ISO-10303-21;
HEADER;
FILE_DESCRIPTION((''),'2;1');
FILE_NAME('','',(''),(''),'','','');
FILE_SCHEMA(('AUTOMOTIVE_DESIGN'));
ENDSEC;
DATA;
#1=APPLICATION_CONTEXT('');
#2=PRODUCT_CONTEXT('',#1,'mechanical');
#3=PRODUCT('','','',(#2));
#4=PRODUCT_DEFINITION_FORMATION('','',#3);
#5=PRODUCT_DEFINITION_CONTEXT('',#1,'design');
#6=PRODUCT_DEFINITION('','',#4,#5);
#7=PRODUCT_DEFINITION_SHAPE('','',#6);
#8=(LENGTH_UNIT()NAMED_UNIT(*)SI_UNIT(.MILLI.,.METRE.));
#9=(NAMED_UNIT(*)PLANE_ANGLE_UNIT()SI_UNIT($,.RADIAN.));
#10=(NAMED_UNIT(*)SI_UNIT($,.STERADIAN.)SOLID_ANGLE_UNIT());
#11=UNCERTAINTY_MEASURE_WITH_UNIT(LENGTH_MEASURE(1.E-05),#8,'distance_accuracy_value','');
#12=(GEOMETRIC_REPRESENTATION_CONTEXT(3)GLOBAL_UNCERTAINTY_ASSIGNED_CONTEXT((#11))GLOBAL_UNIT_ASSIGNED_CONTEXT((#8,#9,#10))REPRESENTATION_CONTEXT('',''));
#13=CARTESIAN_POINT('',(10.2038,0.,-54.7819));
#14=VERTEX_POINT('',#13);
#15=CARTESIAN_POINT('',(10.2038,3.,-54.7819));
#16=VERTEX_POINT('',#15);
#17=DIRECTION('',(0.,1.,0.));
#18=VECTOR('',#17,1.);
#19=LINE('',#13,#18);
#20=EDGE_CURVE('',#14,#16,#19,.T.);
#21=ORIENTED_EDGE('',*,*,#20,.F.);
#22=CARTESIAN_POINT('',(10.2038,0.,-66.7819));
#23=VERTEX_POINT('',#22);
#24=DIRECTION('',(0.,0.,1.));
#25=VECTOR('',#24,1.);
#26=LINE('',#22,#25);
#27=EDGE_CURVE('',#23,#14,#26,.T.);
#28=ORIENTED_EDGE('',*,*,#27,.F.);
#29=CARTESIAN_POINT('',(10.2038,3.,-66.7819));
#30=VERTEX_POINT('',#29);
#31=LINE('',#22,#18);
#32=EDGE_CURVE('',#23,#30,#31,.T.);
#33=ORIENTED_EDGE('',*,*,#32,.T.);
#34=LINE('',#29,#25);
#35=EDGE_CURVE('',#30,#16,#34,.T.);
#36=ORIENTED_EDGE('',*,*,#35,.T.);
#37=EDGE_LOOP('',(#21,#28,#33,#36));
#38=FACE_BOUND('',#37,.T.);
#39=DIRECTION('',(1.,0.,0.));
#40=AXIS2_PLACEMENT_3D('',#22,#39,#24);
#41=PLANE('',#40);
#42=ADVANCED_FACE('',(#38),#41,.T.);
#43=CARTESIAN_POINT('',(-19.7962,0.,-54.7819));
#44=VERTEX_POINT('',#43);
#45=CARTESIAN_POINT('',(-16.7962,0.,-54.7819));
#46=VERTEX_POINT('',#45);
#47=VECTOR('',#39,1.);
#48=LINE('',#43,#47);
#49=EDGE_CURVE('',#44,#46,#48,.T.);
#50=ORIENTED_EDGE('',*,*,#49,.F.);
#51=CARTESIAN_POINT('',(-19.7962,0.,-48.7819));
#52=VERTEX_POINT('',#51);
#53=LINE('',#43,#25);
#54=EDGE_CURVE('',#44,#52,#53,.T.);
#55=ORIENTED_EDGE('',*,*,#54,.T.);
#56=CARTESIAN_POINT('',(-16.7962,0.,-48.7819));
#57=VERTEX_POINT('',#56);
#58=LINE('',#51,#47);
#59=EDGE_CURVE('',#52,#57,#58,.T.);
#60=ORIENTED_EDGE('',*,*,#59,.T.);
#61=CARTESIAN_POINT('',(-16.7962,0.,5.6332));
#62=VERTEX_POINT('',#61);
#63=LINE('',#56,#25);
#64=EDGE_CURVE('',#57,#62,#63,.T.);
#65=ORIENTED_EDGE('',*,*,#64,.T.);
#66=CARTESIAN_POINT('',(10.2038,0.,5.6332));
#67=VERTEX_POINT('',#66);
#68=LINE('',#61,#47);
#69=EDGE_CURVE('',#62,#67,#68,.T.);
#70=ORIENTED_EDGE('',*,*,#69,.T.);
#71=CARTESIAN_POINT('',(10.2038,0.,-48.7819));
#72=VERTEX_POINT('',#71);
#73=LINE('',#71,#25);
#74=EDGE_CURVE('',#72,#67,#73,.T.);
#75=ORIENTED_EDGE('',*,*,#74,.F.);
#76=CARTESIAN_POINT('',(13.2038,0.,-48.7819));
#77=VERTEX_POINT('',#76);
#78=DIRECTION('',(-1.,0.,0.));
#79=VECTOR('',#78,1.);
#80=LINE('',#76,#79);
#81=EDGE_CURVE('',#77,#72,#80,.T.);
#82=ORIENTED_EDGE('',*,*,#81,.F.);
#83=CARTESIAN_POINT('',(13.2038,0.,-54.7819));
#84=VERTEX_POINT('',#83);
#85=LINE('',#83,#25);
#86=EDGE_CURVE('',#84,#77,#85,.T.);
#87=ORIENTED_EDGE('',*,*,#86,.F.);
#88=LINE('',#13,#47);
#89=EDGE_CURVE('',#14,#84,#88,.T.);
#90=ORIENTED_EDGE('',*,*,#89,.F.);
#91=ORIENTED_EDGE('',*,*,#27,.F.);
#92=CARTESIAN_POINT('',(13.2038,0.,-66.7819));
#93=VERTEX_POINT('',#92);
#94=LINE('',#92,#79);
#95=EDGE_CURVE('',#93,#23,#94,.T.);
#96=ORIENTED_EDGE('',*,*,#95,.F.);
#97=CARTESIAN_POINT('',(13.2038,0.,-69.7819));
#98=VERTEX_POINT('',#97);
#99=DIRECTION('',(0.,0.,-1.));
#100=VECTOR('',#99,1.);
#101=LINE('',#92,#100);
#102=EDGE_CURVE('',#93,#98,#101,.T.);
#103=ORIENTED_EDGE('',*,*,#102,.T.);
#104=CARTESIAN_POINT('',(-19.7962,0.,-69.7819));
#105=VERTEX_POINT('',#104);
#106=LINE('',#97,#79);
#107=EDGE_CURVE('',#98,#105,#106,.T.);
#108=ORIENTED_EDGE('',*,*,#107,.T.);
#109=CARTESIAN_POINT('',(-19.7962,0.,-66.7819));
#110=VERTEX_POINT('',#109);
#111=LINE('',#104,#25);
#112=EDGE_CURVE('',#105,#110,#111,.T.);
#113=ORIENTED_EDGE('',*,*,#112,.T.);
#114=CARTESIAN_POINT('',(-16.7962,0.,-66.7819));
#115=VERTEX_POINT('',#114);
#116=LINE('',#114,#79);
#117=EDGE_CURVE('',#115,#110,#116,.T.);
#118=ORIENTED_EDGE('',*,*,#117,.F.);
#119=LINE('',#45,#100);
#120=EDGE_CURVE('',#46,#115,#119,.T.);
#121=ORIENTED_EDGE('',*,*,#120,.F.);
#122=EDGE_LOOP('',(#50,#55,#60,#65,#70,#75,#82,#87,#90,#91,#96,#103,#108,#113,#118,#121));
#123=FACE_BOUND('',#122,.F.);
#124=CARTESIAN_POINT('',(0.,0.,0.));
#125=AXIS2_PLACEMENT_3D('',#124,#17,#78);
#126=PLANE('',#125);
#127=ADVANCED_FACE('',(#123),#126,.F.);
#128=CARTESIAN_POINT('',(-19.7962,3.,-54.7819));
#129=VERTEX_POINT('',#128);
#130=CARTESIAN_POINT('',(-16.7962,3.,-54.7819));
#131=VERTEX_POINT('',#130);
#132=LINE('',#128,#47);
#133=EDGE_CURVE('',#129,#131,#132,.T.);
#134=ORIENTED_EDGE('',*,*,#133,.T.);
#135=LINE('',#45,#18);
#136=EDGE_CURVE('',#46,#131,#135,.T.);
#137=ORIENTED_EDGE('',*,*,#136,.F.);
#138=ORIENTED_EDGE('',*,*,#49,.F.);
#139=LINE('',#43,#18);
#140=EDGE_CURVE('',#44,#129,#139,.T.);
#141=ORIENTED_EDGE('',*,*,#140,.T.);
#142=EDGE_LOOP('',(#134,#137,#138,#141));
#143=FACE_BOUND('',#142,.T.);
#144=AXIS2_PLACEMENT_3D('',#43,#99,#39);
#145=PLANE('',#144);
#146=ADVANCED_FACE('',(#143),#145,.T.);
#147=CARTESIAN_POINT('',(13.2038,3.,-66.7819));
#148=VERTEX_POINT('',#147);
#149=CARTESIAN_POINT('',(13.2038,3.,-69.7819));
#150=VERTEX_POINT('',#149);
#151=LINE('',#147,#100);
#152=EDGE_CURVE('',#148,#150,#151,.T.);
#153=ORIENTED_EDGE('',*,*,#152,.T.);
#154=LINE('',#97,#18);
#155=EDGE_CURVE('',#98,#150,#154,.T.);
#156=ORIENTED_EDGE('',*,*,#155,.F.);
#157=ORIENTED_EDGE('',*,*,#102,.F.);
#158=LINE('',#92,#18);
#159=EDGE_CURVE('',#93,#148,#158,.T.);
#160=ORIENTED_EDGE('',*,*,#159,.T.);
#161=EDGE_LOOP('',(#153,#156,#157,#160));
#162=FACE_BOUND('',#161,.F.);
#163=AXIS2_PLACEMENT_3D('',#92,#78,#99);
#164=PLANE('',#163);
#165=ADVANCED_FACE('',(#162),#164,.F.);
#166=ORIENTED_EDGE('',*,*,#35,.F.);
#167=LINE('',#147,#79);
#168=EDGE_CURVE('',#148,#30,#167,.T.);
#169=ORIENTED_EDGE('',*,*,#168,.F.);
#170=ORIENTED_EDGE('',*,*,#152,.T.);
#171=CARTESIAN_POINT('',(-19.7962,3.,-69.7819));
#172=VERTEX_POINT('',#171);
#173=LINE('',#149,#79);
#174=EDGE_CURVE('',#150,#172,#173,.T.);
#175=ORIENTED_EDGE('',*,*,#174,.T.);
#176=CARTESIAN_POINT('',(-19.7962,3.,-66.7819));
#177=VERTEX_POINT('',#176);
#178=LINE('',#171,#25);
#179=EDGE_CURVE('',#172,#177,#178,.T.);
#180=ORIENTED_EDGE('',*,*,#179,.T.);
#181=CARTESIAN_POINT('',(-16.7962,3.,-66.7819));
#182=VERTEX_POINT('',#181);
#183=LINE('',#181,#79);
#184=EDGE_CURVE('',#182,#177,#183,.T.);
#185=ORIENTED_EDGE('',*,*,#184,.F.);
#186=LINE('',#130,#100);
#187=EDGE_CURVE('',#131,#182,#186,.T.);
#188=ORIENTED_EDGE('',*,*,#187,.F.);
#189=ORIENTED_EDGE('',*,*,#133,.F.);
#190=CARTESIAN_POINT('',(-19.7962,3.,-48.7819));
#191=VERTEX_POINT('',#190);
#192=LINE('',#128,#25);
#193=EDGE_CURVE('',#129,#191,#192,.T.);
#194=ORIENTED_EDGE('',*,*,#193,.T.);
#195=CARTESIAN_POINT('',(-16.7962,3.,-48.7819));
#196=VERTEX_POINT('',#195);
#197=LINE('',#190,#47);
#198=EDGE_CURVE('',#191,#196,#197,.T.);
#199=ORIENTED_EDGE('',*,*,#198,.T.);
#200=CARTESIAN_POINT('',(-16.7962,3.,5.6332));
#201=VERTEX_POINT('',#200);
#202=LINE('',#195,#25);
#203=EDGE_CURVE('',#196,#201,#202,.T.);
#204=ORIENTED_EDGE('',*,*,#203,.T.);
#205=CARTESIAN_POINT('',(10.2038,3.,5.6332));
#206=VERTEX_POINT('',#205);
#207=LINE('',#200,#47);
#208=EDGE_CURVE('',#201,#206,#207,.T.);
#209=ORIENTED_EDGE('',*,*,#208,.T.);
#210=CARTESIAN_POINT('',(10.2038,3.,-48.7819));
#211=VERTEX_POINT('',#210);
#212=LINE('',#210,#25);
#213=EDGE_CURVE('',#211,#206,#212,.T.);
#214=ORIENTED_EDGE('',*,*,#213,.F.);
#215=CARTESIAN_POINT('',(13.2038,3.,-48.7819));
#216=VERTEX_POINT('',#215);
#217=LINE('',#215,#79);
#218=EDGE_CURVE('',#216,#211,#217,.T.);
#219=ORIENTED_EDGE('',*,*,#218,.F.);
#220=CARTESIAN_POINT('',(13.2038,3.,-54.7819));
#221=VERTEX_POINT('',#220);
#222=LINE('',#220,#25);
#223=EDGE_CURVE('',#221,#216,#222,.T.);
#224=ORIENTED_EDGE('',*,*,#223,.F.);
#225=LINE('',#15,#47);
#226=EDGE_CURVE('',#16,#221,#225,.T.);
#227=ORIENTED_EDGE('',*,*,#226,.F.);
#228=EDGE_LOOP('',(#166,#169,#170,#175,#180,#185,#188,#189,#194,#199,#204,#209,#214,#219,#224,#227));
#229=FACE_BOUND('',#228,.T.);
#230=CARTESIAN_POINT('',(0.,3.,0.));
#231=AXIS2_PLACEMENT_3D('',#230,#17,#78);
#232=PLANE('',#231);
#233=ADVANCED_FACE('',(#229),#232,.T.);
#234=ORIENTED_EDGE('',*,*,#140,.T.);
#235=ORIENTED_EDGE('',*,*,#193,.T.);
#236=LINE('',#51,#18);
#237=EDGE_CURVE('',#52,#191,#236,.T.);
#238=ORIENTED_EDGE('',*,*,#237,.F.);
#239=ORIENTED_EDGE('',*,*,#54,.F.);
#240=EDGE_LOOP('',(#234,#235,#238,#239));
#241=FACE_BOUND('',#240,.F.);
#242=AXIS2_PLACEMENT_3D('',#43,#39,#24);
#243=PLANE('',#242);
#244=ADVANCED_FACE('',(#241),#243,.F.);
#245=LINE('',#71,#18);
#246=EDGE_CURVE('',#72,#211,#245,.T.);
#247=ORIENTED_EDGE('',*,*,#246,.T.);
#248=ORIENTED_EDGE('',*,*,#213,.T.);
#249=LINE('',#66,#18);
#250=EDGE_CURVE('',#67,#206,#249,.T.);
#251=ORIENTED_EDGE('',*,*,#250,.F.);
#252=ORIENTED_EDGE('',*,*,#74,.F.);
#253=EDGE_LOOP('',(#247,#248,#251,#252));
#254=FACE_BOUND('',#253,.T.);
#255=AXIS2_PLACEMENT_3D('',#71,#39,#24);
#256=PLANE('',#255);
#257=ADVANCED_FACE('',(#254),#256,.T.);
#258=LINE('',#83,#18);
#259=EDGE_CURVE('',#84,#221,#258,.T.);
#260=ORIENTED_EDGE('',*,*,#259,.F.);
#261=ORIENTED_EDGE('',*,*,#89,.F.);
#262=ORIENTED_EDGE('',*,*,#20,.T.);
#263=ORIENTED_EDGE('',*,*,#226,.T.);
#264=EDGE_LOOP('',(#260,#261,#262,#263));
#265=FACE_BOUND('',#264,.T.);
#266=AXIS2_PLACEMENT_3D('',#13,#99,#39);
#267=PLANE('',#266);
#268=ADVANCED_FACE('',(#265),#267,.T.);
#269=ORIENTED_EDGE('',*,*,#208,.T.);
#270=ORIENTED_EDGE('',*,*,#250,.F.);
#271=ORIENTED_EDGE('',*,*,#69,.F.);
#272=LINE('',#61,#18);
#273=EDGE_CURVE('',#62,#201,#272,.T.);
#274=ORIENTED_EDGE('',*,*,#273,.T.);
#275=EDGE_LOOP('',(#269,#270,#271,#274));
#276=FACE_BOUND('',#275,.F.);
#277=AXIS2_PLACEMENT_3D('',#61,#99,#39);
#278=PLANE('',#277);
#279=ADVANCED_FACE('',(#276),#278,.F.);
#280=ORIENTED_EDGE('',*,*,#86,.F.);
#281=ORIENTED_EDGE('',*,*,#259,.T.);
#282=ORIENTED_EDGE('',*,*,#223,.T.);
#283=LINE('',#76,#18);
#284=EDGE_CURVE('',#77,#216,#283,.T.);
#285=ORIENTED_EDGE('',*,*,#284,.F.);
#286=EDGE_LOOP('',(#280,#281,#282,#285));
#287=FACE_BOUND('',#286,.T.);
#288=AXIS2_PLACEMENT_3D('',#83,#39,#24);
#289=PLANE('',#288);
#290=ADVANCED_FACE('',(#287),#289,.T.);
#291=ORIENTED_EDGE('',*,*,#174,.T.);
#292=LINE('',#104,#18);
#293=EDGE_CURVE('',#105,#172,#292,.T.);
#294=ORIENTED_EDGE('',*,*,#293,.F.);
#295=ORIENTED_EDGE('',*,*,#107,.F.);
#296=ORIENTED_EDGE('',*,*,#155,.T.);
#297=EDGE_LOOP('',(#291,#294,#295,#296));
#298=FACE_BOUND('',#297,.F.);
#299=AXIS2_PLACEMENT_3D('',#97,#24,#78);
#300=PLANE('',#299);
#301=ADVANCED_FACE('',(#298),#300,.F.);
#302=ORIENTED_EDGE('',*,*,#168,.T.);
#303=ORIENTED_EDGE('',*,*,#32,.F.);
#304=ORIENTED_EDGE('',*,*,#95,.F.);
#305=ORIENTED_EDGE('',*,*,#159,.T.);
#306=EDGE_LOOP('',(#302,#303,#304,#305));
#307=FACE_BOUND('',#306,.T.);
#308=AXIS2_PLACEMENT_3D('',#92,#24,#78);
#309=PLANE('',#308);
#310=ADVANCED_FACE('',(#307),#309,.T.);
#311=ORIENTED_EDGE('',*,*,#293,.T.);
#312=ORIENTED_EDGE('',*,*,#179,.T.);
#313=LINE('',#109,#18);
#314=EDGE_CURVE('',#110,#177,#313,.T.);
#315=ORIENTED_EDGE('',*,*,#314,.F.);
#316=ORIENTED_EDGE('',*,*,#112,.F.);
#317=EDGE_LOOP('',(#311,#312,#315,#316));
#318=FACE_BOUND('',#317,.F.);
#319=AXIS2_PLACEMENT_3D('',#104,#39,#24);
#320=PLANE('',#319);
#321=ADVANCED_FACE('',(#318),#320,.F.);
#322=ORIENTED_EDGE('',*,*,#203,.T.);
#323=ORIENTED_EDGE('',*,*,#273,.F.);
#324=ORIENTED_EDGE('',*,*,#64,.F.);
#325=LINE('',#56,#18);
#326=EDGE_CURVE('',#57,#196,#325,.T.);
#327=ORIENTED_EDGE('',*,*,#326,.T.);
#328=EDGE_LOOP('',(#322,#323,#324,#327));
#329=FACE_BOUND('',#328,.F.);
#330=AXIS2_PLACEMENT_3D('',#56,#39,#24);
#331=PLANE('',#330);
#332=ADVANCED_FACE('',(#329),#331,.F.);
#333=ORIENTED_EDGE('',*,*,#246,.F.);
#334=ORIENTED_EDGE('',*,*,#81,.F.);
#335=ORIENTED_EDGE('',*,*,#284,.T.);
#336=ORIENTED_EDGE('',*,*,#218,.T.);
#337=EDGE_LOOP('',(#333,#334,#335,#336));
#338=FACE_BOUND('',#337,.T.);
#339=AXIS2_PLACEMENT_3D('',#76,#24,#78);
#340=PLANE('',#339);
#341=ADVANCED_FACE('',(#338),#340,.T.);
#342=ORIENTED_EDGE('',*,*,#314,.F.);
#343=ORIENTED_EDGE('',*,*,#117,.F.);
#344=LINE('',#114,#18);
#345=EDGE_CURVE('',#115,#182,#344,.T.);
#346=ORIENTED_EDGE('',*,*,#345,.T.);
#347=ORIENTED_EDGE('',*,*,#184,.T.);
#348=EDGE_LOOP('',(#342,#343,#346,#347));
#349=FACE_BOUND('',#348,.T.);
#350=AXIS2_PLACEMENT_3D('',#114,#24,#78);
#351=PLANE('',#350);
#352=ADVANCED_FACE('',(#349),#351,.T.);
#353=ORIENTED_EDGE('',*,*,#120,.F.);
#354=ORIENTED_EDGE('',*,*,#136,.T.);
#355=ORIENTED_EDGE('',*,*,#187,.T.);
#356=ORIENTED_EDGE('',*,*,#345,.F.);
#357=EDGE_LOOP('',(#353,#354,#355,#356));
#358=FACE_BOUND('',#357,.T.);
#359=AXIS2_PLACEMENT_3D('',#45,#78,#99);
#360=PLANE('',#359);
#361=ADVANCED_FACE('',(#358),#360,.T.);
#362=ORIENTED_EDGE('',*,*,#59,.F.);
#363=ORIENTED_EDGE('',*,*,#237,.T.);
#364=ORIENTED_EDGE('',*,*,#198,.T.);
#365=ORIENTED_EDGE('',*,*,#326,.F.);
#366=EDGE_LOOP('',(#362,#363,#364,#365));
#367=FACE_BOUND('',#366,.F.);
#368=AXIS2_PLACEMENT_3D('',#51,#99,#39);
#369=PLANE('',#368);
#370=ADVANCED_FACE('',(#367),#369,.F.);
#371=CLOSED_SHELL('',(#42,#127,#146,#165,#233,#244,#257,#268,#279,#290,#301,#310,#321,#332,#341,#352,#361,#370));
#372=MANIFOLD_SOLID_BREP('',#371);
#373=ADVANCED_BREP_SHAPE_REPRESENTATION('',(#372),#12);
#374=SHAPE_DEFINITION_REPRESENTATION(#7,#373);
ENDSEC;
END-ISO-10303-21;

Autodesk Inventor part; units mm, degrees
ref_plane "YZ Plane" through (0, 0, 0) normal (1, 0, 0) x (0, 1, 0)
ref_plane "XZ Plane" through (0, 0, 0) normal (0, 1, 0) x (-1, 0, 0)
ref_plane "XY Plane" through (0, 0, 0) normal (0, 0, 1) x (1, 0, 0)
sketch "Sketch1" plane through (0, 0, 0) normal (0, 1, 0) x (-1, 0, 0)
  line L0 (16.7962, 5.6332) -> (-10.2038, 5.6332)
  line L1 (-13.2038, -66.7819) -> (-13.2038, -69.7819)
  line L2 (-13.2038, -69.7819) -> (19.7962, -69.7819)
  line L3 (19.7962, -69.7819) -> (19.7962, -66.7819)
  line L4 (19.7962, -54.7819) -> (16.7962, -54.7819)
  line L5 (16.7962, -54.7819) -> (16.7962, -66.7819)
  line L6 (16.7962, -66.7819) -> (19.7962, -66.7819)
  line L7 (-13.2038, -66.7819) -> (-10.2038, -66.7819)
  line L8 (-10.2038, -66.7819) -> (-10.2038, -54.7819)
  line L9 (-10.2038, -54.7819) -> (-13.2038, -54.7819)
  line L10 (19.7962, -54.7819) -> (19.7962, -48.7819)
  line L11 (19.7962, -48.7819) -> (16.7962, -48.7819)
  line L12 (16.7962, -48.7819) -> (16.7962, 5.6332)
  line L13 (-13.2038, -54.7819) -> (-13.2038, -48.7819)
  line L14 (-13.2038, -48.7819) -> (-10.2038, -48.7819)
  line L15 (-10.2038, -48.7819) -> (-10.2038, 5.6332)
  dimension "d8" = 3
  dimension "d9" = 3
  dimension "d11" = 33
  dimension "d12" = 6
  dimension "d13" = 60.4152
  dimension "d14" = 12
extrude "Extrusion1" add sketch "Sketch1" along normal blind 3
properties part number "k2_t_l4-01"
